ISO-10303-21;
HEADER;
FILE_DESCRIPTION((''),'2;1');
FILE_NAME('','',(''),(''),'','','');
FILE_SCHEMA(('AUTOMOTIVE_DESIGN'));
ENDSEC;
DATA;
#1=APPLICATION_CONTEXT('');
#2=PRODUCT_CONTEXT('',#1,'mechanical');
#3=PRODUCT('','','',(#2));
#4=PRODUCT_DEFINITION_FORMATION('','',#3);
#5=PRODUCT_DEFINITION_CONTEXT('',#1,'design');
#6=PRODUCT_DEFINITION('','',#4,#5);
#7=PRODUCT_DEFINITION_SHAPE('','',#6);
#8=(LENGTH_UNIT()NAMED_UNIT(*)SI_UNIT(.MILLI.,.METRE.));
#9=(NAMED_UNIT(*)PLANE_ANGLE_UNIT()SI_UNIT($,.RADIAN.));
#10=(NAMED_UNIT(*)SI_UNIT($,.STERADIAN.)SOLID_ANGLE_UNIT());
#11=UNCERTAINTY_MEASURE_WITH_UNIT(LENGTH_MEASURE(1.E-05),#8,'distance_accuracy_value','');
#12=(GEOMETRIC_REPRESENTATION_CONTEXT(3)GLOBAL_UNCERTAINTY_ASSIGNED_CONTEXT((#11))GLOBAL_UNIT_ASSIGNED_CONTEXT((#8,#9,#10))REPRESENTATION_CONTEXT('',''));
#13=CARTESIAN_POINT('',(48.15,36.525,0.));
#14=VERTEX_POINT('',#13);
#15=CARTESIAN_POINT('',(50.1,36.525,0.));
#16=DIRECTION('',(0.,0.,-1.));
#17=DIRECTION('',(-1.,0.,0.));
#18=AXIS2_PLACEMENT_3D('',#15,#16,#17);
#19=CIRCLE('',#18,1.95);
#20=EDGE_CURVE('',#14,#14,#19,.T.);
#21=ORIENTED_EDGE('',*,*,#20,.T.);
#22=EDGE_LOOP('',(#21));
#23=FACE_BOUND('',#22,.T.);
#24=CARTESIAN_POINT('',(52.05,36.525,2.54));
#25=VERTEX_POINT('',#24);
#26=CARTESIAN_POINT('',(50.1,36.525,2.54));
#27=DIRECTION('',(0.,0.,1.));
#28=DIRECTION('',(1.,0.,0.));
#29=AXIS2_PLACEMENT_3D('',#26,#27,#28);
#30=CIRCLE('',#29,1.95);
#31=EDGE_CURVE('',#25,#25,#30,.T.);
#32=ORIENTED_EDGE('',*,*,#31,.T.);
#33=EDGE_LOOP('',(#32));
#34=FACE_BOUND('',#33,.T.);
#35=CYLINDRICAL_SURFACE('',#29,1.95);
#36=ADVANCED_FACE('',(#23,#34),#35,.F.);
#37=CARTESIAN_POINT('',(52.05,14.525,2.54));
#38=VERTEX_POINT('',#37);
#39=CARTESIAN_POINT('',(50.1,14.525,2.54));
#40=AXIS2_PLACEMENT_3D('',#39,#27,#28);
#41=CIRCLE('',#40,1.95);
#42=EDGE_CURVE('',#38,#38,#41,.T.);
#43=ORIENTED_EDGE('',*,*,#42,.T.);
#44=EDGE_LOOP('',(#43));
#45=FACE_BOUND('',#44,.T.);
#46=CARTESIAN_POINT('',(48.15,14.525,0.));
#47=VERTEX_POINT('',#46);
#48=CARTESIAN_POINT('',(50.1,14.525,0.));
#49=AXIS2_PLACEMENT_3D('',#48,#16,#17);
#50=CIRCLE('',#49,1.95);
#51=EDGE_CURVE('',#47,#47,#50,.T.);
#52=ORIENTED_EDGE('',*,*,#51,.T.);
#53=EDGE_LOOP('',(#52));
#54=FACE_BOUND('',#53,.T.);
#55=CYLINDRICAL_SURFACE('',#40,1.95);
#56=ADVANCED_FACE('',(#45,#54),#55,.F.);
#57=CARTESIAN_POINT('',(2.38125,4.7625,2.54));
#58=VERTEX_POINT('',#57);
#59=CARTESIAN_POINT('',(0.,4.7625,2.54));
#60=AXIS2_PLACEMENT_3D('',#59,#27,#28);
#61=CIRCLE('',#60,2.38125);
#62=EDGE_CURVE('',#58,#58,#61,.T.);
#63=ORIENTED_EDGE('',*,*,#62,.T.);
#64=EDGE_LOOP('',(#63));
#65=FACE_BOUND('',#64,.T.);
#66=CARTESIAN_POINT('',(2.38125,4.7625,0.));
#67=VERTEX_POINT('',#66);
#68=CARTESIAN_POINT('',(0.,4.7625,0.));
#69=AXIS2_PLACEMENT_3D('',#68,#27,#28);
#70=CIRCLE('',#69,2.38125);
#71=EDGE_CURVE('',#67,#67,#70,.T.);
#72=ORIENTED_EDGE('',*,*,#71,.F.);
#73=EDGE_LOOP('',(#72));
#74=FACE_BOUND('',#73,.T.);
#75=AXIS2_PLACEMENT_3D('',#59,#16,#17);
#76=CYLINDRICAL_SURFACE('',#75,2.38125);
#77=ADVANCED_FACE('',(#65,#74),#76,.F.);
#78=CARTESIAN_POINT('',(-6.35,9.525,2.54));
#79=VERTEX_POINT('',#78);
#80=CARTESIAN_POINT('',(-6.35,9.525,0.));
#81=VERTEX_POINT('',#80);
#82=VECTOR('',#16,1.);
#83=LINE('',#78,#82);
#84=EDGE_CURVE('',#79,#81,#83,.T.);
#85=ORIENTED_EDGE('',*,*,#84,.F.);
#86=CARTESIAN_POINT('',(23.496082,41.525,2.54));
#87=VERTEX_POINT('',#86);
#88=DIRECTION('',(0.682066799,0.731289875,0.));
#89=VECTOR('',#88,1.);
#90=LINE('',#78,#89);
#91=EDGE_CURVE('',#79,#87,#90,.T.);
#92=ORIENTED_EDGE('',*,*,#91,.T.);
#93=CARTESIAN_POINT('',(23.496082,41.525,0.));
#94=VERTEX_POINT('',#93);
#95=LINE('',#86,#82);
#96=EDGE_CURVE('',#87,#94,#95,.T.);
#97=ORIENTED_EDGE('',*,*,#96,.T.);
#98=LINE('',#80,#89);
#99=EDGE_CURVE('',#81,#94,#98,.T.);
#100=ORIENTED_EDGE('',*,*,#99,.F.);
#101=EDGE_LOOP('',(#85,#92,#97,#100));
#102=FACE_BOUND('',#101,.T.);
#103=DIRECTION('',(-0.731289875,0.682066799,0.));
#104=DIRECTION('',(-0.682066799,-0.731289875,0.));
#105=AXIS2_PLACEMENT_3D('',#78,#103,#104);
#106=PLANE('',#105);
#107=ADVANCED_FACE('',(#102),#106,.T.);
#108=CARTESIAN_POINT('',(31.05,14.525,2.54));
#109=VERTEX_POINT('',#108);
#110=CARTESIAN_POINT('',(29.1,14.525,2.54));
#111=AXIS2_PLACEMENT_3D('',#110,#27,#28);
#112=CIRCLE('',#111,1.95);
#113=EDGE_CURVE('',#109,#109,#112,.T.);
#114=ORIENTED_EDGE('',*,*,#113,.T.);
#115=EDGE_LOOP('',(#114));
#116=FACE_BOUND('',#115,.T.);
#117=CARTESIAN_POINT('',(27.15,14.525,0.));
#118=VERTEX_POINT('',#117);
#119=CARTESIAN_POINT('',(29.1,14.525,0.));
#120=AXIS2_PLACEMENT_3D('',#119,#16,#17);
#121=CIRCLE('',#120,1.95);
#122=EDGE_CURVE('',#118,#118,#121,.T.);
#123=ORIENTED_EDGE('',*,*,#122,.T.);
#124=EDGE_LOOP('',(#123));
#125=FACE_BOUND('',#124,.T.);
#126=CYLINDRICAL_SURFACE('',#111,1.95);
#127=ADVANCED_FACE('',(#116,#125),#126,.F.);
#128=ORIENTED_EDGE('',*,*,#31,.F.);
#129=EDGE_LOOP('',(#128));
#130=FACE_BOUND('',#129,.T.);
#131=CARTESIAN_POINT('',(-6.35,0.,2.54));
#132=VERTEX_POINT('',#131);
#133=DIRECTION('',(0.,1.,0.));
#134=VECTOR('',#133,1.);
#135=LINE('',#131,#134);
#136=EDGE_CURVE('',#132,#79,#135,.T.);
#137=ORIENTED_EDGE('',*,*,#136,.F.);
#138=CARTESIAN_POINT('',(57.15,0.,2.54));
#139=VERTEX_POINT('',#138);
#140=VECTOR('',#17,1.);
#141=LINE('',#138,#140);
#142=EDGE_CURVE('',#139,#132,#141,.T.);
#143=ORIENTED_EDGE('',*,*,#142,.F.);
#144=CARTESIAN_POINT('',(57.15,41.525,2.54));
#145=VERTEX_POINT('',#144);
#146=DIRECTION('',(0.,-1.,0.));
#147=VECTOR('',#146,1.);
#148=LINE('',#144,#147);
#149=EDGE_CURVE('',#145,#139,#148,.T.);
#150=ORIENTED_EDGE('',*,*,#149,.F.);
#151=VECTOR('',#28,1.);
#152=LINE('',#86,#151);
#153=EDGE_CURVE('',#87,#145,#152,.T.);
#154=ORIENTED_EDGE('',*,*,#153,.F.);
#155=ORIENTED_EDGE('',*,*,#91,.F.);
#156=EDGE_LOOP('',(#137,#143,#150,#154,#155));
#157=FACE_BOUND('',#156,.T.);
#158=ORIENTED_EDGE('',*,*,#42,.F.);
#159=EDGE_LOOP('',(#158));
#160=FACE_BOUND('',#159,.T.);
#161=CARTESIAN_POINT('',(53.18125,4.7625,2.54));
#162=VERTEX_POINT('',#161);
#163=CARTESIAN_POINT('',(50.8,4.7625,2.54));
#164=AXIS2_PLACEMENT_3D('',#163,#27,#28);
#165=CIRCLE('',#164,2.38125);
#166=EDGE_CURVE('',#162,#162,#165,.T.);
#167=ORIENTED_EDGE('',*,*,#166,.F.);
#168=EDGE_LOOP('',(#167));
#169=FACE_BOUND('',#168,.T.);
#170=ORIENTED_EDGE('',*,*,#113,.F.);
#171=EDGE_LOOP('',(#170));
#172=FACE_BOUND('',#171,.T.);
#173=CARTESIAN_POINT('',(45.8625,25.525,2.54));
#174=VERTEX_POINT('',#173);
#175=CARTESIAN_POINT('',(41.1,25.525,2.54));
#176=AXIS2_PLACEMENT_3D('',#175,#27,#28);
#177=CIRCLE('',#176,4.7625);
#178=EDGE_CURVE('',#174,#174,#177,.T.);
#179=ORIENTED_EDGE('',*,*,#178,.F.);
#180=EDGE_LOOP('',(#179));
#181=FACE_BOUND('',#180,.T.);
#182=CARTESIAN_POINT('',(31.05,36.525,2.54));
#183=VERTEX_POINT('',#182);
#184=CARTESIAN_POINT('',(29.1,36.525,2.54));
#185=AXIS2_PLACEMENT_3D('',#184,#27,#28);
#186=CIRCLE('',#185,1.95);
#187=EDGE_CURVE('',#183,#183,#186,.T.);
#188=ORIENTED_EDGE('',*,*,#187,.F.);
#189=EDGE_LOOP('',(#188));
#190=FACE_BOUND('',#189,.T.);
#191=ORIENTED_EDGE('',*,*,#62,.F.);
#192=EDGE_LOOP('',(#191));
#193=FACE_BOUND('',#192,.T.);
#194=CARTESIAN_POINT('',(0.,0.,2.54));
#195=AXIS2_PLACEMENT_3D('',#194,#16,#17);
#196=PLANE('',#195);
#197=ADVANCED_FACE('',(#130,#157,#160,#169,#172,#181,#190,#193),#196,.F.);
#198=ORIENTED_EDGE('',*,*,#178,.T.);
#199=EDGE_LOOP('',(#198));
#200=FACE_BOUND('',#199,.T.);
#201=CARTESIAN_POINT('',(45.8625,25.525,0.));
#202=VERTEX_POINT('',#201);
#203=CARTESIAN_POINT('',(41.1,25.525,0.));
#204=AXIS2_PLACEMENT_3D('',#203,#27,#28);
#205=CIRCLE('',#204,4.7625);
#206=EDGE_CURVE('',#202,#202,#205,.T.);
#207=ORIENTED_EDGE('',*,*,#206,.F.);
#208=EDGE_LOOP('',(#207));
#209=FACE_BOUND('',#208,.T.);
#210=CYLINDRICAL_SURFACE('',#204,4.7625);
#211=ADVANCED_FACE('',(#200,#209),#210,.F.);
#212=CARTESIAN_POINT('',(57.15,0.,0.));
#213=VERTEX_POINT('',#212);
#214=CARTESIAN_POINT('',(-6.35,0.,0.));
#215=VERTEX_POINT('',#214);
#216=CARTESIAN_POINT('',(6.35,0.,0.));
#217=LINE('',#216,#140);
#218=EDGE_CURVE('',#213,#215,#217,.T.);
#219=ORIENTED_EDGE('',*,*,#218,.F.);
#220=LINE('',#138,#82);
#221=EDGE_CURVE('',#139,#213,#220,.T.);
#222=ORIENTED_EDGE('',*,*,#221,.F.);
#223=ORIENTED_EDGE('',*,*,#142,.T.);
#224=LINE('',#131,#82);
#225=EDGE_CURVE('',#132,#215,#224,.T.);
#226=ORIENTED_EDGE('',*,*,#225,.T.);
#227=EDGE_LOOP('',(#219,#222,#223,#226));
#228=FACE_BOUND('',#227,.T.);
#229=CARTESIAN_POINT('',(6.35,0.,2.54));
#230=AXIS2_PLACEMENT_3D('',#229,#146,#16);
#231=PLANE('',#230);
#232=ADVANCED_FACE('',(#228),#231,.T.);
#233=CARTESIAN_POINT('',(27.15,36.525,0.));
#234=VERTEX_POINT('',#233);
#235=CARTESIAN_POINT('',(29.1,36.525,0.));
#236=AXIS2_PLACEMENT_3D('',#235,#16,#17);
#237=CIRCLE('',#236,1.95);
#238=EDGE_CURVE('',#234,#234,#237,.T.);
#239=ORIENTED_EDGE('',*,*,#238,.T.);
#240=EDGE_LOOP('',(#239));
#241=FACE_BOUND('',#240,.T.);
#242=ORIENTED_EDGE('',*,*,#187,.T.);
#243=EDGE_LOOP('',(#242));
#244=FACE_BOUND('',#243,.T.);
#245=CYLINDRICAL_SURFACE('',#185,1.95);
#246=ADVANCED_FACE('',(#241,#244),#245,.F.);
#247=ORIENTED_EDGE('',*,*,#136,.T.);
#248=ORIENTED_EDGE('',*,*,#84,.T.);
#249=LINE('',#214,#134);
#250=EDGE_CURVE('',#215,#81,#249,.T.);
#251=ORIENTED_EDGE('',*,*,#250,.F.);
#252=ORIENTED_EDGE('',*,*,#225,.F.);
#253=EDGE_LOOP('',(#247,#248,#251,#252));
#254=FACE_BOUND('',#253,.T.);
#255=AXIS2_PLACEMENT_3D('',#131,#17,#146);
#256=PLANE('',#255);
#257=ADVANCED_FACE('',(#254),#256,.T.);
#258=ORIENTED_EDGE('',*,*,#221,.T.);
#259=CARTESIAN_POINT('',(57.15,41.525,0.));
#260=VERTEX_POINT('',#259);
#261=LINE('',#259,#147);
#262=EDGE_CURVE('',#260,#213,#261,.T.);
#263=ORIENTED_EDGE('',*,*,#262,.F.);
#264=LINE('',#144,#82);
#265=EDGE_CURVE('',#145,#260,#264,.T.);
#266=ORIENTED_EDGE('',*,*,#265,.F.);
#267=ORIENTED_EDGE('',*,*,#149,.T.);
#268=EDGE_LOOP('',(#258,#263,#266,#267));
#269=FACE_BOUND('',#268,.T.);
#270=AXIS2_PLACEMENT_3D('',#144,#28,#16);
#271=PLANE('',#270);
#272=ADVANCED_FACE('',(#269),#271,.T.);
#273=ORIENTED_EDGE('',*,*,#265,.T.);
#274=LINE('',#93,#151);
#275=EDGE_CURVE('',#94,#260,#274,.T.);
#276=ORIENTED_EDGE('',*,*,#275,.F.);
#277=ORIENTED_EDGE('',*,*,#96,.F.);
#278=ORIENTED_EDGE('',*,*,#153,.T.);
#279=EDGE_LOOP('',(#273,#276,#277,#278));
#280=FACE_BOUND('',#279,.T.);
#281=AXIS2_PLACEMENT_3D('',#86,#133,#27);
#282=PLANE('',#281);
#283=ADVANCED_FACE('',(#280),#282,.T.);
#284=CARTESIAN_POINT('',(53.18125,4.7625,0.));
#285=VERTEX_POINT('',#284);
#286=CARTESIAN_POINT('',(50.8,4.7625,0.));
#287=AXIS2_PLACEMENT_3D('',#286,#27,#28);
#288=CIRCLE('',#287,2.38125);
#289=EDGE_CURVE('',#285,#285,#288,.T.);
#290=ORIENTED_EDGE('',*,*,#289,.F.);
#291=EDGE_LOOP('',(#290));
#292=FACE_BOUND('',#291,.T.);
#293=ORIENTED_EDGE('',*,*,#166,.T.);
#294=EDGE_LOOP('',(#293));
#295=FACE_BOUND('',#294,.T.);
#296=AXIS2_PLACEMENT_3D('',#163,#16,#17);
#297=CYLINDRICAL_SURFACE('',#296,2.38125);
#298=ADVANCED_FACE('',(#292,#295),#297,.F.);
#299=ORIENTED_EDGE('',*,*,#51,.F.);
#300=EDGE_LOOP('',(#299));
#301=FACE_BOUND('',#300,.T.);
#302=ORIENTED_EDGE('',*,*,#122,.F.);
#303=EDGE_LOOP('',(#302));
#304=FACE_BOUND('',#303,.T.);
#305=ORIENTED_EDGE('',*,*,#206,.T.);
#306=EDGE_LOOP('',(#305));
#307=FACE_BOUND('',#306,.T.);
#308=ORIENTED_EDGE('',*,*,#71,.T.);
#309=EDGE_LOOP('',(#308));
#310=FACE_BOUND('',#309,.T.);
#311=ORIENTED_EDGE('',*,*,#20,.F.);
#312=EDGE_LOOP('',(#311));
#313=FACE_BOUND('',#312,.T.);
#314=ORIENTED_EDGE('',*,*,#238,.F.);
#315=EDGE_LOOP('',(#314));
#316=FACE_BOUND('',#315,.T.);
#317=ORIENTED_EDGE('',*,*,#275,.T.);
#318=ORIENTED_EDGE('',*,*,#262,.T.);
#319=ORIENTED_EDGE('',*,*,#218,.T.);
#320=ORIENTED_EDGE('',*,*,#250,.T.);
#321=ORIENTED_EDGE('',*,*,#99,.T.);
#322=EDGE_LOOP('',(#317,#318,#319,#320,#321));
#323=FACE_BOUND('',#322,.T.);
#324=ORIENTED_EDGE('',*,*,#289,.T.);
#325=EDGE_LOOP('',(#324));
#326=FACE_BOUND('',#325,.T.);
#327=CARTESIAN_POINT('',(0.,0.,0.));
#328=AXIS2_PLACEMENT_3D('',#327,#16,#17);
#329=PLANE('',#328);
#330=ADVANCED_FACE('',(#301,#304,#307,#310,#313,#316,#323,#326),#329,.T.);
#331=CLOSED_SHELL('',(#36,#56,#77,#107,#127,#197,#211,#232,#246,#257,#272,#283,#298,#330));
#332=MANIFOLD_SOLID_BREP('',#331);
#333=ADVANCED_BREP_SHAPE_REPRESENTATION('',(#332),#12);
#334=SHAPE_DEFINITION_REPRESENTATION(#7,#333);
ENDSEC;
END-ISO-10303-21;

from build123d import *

# Parameters (mm, degrees)
SKETCH1_R                  = 2.38125
BOSS_EXTRUDE1_DEPTH        = 2.54
M3_5_CLEARANCE_HOLE1_D     = 3.9
M3_5_CLEARANCE_HOLE1_DEPTH = 12.7
M3_5_CLEARANCE_HOLE1_TIP   = 1.171678207
SKETCH5_R                  = 4.7625
CUT_EXTRUDE1_DEPTH         = 71.688752465


with BuildPart() as part:
    # Sketch1 → Boss-Extrude1 (new body)
    with BuildSketch(Plane.XY):
        Polygon((-6.35, 9.525), (23.496082005, 41.525), (57.15, 41.525), (57.15, 0), (44.45, 0), (6.35, 0), (-6.35, 0), align=None)
        with Locations((0, 4.7625)):
            Circle(SKETCH1_R, mode=Mode.SUBTRACT)
        with Locations((50.8, 4.7625)):
            Circle(SKETCH1_R, mode=Mode.SUBTRACT)
    extrude(amount=BOSS_EXTRUDE1_DEPTH)

    # M3.5 Clearance Hole1
    with Locations(Plane.XY.offset(2.54)):
        with Locations((29.1, 36.525), (50.1, 36.525), (50.1, 14.525), (29.1, 14.525)):
            Hole(M3_5_CLEARANCE_HOLE1_D / 2, depth=M3_5_CLEARANCE_HOLE1_DEPTH)
            with Locations((0, 0, -(M3_5_CLEARANCE_HOLE1_DEPTH + M3_5_CLEARANCE_HOLE1_TIP / 2))):  # 118° drill point
                Cone(0, M3_5_CLEARANCE_HOLE1_D / 2, M3_5_CLEARANCE_HOLE1_TIP, mode=Mode.SUBTRACT)

    # Sketch5 → Cut-Extrude1 (cut, through all)
    with BuildSketch(Plane.XY.offset(2.54)):
        with Locations((41.1, 25.525)):
            Circle(SKETCH5_R)
    extrude(amount=-CUT_EXTRUDE1_DEPTH, mode=Mode.SUBTRACT)


solid = part.part
